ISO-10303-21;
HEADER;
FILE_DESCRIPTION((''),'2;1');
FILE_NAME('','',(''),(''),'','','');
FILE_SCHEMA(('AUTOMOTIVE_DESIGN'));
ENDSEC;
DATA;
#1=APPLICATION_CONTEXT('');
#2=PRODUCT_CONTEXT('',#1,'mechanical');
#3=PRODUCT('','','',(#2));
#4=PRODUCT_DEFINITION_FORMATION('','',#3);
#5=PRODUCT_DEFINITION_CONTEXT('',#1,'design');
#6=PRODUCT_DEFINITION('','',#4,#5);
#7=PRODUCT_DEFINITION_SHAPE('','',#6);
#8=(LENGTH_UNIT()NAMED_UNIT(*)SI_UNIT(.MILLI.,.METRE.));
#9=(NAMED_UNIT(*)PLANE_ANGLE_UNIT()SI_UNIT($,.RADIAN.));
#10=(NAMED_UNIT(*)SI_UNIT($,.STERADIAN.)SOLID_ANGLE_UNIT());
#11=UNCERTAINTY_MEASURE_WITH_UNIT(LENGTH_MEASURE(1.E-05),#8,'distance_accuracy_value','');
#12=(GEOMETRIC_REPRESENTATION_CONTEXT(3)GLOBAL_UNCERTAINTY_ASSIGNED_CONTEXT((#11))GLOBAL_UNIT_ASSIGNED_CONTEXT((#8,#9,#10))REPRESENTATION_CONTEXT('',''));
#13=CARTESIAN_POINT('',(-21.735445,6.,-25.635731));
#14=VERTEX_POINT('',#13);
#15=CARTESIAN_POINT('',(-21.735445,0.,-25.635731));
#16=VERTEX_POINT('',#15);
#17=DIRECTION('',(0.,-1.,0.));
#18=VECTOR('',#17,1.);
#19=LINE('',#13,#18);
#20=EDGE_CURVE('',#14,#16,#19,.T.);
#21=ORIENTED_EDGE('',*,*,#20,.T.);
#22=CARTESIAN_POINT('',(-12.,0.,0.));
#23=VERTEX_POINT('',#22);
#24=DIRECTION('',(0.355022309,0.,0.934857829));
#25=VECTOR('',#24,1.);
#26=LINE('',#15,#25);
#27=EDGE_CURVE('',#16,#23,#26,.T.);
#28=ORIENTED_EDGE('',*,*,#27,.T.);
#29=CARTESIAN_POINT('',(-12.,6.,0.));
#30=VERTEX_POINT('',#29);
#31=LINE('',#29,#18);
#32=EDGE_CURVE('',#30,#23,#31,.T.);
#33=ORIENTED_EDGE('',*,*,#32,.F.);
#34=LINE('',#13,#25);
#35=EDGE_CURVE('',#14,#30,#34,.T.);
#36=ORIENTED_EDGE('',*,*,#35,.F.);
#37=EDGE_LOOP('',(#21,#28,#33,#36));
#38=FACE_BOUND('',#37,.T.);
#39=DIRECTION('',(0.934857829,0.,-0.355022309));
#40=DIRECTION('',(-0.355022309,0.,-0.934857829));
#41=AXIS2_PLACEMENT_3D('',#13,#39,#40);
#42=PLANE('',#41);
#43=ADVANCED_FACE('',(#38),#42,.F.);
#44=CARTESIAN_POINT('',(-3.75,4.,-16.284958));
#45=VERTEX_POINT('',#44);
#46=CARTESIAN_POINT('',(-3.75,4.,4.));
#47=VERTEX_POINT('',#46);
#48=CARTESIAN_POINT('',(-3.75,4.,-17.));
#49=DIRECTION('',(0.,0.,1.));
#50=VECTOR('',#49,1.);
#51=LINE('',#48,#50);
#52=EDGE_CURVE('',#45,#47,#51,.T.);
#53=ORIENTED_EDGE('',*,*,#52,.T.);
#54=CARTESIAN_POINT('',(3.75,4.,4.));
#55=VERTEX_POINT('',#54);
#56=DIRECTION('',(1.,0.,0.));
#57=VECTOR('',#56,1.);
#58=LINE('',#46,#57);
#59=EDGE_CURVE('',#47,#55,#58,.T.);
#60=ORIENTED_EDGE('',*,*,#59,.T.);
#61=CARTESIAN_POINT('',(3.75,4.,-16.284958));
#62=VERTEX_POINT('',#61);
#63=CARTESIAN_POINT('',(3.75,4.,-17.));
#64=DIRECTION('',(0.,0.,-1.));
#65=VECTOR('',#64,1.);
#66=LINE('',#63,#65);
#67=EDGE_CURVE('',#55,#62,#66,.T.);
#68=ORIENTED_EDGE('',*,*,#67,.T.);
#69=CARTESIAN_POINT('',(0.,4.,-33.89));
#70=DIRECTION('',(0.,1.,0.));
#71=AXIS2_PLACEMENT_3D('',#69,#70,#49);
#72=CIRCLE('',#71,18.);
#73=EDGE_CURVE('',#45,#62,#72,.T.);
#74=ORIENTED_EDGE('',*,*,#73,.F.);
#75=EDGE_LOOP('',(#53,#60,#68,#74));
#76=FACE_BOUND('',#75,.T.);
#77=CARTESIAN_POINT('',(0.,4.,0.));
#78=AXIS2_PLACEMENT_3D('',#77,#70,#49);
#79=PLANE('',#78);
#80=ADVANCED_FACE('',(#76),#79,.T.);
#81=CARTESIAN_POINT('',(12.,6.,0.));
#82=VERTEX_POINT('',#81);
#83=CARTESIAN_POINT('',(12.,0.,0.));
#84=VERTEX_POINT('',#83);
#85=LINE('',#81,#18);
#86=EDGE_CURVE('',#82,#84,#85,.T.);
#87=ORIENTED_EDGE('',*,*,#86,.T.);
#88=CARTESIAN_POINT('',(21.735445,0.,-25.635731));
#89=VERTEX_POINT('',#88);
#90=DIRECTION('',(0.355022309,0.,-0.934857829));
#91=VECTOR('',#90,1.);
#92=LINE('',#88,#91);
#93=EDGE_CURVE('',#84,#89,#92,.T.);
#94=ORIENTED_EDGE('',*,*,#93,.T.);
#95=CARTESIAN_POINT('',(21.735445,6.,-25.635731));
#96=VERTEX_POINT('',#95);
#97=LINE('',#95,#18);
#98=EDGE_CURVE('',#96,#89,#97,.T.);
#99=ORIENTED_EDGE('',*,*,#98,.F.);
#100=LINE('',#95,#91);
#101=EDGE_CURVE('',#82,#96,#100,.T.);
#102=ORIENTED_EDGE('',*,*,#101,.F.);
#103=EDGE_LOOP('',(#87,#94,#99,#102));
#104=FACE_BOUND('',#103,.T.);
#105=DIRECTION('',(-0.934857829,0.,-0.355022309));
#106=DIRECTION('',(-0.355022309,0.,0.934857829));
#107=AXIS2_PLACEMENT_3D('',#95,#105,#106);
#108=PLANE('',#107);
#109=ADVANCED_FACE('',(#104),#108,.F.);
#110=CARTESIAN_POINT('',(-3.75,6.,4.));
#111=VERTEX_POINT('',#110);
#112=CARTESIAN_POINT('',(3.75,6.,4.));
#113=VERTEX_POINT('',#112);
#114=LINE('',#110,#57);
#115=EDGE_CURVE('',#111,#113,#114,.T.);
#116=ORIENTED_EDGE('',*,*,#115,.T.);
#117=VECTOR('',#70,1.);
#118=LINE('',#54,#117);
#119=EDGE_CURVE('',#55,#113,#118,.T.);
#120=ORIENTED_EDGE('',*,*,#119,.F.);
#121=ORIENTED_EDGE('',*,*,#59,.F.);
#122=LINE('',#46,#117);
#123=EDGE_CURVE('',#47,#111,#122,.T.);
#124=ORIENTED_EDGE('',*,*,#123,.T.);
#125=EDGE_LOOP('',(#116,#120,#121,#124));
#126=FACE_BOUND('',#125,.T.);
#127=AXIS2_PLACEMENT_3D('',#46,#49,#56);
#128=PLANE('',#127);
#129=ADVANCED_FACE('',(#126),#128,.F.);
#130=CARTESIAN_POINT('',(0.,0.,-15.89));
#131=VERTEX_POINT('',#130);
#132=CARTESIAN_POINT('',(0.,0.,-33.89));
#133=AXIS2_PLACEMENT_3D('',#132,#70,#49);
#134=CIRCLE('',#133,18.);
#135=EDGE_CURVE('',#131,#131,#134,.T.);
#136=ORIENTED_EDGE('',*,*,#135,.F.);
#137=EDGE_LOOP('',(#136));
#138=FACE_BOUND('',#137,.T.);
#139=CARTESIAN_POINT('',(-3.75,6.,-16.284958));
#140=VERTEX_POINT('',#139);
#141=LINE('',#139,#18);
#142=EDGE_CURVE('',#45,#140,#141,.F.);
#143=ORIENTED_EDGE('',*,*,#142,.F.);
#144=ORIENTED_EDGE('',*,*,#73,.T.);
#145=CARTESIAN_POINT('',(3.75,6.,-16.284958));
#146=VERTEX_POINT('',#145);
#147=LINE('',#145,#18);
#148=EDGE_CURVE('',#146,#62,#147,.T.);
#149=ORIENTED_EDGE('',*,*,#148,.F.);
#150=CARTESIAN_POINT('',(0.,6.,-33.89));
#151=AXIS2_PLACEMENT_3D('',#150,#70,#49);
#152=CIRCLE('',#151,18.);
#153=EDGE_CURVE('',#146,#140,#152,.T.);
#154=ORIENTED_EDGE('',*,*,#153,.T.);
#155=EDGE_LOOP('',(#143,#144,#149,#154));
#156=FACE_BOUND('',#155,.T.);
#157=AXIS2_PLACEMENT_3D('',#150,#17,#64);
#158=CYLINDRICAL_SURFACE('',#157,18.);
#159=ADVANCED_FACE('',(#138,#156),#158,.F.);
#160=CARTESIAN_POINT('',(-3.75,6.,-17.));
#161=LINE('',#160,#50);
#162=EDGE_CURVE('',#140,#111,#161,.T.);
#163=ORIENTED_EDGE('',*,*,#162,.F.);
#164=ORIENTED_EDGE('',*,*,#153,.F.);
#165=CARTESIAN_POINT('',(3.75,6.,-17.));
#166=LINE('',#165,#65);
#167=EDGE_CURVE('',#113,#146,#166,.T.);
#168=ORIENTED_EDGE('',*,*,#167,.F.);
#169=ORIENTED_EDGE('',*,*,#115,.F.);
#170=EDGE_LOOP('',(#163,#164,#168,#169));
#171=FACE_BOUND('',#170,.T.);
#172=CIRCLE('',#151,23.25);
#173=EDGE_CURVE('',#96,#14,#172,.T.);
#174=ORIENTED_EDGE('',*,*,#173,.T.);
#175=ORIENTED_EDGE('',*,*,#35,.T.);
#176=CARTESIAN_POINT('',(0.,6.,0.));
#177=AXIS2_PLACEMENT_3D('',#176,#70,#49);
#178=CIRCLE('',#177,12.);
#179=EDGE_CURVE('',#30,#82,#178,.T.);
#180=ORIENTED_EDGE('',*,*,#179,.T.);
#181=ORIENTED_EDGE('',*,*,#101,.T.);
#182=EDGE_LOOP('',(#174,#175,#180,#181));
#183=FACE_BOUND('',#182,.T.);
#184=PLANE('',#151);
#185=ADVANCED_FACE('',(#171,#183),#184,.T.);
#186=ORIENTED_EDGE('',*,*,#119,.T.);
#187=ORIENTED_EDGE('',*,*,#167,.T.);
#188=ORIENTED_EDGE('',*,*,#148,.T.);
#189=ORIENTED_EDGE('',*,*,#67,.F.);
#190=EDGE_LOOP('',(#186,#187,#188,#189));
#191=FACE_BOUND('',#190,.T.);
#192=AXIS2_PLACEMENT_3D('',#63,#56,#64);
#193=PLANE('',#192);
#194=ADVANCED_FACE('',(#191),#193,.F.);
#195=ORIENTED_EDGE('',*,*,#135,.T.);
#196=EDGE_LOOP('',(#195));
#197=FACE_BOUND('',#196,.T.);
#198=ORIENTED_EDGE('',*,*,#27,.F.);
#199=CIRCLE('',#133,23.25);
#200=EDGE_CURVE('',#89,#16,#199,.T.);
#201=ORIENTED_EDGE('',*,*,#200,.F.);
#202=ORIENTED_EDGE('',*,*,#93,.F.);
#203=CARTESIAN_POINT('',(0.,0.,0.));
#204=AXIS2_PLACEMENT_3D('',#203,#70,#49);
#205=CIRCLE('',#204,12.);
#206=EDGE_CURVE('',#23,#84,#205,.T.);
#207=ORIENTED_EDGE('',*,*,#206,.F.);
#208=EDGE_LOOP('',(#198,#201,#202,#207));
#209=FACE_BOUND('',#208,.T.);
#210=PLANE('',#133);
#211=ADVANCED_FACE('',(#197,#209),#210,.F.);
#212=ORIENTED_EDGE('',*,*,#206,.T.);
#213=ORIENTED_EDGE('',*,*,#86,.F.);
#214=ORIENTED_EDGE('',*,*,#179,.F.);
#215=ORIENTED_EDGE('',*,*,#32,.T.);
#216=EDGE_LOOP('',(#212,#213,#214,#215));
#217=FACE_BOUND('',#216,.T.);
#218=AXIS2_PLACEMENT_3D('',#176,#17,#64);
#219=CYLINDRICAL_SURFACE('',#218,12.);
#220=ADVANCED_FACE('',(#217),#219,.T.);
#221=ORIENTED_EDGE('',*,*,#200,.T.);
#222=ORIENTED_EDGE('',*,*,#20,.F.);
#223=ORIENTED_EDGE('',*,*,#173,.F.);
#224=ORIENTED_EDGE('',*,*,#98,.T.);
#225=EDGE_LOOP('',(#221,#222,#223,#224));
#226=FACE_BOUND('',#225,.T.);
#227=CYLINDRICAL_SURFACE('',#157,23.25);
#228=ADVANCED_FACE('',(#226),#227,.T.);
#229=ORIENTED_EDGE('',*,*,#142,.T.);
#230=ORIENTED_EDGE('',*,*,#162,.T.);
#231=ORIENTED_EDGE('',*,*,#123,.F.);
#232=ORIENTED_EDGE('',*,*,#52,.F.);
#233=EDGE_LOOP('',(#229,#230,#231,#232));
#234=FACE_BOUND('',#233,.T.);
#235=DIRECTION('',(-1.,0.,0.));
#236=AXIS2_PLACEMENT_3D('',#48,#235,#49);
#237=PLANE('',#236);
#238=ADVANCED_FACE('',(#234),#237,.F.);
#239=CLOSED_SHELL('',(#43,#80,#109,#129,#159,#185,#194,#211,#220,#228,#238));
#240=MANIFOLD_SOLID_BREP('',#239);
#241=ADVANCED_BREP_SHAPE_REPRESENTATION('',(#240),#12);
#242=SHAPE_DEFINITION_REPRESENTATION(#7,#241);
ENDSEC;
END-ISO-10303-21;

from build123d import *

# Parameters (mm, degrees)
SKETCH1_R           = 18
BOSS_EXTRUDE1_DEPTH = 6
SKETCH2_W           = 7.5
SKETCH2_H           = 21
CUT_EXTRUDE1_DEPTH  = 2


with BuildPart() as part:
    # Sketch1 → Boss-Extrude1 (new body)
    with BuildSketch(Plane(origin=(0, 0, 0), x_dir=(1, 0, 0), z_dir=(0, 1, 0))):
        with BuildLine():
            Line((-21.73544452, 25.635731314), (-12, 0))
            ThreePointArc((-12, 0), (0, -12), (12, 0))
            Line((12, 0), (21.73544452, 25.635731314))
            ThreePointArc((21.73544452, 25.635731314), (0, 57.14), (-21.73544452, 25.635731314))
        make_face()
        with Locations(Location((0, 33.89, 0), (0, 0, 270))):
            Circle(SKETCH1_R, mode=Mode.SUBTRACT)
    extrude(amount=BOSS_EXTRUDE1_DEPTH)

    # Sketch2 → Cut-Extrude1 (cut)
    with BuildSketch(Plane(origin=(0, 6, 0), x_dir=(1, 0, 0), z_dir=(0, 1, 0))):
        with Locations((0, 6.5)):
            Rectangle(SKETCH2_W, SKETCH2_H)
    extrude(amount=-CUT_EXTRUDE1_DEPTH, mode=Mode.SUBTRACT)


solid = part.part
